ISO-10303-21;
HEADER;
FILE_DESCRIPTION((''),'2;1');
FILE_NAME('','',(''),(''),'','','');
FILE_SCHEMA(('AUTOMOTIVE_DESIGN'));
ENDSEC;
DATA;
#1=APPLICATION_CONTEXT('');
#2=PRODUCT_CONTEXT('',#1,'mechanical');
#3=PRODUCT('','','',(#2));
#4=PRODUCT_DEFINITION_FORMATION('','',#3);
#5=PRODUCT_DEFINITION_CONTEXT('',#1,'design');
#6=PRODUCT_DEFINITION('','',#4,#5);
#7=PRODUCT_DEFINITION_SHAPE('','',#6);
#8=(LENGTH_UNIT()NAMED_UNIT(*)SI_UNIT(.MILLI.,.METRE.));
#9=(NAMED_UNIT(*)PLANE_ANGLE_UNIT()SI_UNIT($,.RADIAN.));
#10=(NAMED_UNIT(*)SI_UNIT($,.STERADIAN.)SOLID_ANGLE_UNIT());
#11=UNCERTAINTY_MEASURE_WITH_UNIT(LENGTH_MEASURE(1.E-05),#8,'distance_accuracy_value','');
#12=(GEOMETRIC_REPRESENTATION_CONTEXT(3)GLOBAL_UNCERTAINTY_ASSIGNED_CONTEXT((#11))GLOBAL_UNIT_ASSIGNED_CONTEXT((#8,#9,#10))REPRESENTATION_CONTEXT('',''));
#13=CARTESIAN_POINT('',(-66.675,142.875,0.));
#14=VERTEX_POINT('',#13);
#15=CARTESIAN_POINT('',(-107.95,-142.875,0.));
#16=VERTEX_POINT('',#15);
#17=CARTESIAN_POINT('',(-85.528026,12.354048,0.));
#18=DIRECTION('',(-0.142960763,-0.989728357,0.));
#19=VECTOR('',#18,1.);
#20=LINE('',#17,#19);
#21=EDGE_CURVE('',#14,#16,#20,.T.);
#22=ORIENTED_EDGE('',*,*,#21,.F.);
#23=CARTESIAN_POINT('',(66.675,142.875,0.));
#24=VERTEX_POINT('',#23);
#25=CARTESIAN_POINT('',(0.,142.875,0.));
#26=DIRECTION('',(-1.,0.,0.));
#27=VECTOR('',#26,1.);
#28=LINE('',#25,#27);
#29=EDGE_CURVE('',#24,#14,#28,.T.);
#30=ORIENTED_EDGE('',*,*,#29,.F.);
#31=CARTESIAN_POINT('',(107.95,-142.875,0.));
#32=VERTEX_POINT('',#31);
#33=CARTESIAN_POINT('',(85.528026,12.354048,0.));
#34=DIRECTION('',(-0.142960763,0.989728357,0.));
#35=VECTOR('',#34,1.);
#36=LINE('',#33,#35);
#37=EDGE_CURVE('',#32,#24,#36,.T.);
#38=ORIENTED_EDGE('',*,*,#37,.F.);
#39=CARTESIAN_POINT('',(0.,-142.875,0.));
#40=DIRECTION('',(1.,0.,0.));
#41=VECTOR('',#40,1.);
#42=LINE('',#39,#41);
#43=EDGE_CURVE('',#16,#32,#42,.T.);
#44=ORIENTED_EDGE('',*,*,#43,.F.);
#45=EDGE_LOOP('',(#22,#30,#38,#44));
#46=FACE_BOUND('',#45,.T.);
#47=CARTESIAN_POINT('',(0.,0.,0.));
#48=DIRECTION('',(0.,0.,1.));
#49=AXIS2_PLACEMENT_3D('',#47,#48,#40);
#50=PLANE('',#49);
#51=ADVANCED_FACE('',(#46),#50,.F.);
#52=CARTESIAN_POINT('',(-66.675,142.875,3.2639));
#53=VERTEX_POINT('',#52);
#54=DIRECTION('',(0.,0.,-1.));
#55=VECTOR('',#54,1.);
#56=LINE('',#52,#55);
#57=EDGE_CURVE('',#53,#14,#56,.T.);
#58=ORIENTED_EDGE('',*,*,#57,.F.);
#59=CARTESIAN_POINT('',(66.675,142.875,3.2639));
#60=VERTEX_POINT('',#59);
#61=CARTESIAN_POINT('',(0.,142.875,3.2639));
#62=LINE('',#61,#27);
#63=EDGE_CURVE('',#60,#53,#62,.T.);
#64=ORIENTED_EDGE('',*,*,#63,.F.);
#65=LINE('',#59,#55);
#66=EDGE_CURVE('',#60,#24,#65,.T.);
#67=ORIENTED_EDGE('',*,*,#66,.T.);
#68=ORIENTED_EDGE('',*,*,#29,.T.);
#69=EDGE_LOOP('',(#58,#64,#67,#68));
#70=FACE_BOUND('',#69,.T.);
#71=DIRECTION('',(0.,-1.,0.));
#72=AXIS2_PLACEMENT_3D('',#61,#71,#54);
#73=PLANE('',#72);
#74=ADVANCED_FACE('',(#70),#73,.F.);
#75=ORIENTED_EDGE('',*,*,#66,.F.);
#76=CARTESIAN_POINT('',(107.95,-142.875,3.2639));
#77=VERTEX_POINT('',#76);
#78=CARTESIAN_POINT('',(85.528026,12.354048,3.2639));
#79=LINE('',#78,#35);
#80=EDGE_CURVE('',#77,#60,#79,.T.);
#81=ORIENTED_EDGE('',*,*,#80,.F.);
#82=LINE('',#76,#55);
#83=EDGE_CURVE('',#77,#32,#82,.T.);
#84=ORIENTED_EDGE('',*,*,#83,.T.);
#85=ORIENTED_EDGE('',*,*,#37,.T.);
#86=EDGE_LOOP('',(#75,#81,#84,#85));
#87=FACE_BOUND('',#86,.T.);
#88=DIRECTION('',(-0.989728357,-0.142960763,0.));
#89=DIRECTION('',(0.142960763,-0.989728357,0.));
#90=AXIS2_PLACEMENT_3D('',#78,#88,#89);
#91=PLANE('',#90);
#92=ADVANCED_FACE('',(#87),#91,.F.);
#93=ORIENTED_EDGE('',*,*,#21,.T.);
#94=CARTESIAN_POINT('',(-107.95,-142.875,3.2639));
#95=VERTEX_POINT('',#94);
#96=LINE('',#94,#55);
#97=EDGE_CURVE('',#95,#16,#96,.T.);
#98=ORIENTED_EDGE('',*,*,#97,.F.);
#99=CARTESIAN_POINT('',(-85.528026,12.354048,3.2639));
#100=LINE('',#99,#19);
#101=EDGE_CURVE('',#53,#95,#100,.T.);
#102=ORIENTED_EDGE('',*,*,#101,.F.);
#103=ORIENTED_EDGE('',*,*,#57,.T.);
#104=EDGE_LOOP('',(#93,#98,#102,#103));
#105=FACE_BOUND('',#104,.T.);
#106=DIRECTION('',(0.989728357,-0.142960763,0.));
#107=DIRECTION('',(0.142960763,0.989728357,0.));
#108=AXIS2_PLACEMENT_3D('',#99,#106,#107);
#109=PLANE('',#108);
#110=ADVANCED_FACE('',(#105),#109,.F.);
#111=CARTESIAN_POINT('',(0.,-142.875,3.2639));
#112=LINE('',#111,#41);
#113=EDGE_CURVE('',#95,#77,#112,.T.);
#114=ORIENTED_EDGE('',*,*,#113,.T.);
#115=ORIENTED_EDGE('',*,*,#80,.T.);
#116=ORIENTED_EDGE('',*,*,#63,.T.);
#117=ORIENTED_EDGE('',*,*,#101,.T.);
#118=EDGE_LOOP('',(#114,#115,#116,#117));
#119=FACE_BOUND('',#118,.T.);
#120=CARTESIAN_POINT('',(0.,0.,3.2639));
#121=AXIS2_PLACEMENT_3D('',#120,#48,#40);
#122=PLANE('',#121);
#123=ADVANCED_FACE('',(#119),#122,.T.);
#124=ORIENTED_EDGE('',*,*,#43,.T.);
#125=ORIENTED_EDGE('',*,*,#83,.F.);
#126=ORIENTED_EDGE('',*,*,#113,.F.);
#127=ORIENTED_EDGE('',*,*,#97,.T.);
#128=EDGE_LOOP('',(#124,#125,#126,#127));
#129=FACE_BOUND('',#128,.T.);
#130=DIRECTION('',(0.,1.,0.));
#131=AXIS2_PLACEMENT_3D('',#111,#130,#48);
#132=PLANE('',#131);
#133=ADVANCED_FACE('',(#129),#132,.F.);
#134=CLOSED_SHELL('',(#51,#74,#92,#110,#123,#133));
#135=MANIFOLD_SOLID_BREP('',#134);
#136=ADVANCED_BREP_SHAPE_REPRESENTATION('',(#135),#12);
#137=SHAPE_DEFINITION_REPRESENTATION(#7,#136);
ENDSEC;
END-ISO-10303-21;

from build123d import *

# Parameters (mm, degrees)
SKETCH1_W           = 133.35
SKETCH1_H           = 285.75
BOSS_EXTRUDE1_DEPTH = 3.2639


with BuildPart() as part:
    # Sketch1 → Boss-Extrude1 (new body)
    with BuildSketch(Plane.XY):
        Polygon((-66.675, 142.875), (-107.95, -142.875), (-66.675, -142.875), align=None)
        Rectangle(SKETCH1_W, SKETCH1_H)
        Polygon((66.675, -142.875), (107.95, -142.875), (66.675, 142.875), align=None)
    extrude(amount=BOSS_EXTRUDE1_DEPTH)


solid = part.part
